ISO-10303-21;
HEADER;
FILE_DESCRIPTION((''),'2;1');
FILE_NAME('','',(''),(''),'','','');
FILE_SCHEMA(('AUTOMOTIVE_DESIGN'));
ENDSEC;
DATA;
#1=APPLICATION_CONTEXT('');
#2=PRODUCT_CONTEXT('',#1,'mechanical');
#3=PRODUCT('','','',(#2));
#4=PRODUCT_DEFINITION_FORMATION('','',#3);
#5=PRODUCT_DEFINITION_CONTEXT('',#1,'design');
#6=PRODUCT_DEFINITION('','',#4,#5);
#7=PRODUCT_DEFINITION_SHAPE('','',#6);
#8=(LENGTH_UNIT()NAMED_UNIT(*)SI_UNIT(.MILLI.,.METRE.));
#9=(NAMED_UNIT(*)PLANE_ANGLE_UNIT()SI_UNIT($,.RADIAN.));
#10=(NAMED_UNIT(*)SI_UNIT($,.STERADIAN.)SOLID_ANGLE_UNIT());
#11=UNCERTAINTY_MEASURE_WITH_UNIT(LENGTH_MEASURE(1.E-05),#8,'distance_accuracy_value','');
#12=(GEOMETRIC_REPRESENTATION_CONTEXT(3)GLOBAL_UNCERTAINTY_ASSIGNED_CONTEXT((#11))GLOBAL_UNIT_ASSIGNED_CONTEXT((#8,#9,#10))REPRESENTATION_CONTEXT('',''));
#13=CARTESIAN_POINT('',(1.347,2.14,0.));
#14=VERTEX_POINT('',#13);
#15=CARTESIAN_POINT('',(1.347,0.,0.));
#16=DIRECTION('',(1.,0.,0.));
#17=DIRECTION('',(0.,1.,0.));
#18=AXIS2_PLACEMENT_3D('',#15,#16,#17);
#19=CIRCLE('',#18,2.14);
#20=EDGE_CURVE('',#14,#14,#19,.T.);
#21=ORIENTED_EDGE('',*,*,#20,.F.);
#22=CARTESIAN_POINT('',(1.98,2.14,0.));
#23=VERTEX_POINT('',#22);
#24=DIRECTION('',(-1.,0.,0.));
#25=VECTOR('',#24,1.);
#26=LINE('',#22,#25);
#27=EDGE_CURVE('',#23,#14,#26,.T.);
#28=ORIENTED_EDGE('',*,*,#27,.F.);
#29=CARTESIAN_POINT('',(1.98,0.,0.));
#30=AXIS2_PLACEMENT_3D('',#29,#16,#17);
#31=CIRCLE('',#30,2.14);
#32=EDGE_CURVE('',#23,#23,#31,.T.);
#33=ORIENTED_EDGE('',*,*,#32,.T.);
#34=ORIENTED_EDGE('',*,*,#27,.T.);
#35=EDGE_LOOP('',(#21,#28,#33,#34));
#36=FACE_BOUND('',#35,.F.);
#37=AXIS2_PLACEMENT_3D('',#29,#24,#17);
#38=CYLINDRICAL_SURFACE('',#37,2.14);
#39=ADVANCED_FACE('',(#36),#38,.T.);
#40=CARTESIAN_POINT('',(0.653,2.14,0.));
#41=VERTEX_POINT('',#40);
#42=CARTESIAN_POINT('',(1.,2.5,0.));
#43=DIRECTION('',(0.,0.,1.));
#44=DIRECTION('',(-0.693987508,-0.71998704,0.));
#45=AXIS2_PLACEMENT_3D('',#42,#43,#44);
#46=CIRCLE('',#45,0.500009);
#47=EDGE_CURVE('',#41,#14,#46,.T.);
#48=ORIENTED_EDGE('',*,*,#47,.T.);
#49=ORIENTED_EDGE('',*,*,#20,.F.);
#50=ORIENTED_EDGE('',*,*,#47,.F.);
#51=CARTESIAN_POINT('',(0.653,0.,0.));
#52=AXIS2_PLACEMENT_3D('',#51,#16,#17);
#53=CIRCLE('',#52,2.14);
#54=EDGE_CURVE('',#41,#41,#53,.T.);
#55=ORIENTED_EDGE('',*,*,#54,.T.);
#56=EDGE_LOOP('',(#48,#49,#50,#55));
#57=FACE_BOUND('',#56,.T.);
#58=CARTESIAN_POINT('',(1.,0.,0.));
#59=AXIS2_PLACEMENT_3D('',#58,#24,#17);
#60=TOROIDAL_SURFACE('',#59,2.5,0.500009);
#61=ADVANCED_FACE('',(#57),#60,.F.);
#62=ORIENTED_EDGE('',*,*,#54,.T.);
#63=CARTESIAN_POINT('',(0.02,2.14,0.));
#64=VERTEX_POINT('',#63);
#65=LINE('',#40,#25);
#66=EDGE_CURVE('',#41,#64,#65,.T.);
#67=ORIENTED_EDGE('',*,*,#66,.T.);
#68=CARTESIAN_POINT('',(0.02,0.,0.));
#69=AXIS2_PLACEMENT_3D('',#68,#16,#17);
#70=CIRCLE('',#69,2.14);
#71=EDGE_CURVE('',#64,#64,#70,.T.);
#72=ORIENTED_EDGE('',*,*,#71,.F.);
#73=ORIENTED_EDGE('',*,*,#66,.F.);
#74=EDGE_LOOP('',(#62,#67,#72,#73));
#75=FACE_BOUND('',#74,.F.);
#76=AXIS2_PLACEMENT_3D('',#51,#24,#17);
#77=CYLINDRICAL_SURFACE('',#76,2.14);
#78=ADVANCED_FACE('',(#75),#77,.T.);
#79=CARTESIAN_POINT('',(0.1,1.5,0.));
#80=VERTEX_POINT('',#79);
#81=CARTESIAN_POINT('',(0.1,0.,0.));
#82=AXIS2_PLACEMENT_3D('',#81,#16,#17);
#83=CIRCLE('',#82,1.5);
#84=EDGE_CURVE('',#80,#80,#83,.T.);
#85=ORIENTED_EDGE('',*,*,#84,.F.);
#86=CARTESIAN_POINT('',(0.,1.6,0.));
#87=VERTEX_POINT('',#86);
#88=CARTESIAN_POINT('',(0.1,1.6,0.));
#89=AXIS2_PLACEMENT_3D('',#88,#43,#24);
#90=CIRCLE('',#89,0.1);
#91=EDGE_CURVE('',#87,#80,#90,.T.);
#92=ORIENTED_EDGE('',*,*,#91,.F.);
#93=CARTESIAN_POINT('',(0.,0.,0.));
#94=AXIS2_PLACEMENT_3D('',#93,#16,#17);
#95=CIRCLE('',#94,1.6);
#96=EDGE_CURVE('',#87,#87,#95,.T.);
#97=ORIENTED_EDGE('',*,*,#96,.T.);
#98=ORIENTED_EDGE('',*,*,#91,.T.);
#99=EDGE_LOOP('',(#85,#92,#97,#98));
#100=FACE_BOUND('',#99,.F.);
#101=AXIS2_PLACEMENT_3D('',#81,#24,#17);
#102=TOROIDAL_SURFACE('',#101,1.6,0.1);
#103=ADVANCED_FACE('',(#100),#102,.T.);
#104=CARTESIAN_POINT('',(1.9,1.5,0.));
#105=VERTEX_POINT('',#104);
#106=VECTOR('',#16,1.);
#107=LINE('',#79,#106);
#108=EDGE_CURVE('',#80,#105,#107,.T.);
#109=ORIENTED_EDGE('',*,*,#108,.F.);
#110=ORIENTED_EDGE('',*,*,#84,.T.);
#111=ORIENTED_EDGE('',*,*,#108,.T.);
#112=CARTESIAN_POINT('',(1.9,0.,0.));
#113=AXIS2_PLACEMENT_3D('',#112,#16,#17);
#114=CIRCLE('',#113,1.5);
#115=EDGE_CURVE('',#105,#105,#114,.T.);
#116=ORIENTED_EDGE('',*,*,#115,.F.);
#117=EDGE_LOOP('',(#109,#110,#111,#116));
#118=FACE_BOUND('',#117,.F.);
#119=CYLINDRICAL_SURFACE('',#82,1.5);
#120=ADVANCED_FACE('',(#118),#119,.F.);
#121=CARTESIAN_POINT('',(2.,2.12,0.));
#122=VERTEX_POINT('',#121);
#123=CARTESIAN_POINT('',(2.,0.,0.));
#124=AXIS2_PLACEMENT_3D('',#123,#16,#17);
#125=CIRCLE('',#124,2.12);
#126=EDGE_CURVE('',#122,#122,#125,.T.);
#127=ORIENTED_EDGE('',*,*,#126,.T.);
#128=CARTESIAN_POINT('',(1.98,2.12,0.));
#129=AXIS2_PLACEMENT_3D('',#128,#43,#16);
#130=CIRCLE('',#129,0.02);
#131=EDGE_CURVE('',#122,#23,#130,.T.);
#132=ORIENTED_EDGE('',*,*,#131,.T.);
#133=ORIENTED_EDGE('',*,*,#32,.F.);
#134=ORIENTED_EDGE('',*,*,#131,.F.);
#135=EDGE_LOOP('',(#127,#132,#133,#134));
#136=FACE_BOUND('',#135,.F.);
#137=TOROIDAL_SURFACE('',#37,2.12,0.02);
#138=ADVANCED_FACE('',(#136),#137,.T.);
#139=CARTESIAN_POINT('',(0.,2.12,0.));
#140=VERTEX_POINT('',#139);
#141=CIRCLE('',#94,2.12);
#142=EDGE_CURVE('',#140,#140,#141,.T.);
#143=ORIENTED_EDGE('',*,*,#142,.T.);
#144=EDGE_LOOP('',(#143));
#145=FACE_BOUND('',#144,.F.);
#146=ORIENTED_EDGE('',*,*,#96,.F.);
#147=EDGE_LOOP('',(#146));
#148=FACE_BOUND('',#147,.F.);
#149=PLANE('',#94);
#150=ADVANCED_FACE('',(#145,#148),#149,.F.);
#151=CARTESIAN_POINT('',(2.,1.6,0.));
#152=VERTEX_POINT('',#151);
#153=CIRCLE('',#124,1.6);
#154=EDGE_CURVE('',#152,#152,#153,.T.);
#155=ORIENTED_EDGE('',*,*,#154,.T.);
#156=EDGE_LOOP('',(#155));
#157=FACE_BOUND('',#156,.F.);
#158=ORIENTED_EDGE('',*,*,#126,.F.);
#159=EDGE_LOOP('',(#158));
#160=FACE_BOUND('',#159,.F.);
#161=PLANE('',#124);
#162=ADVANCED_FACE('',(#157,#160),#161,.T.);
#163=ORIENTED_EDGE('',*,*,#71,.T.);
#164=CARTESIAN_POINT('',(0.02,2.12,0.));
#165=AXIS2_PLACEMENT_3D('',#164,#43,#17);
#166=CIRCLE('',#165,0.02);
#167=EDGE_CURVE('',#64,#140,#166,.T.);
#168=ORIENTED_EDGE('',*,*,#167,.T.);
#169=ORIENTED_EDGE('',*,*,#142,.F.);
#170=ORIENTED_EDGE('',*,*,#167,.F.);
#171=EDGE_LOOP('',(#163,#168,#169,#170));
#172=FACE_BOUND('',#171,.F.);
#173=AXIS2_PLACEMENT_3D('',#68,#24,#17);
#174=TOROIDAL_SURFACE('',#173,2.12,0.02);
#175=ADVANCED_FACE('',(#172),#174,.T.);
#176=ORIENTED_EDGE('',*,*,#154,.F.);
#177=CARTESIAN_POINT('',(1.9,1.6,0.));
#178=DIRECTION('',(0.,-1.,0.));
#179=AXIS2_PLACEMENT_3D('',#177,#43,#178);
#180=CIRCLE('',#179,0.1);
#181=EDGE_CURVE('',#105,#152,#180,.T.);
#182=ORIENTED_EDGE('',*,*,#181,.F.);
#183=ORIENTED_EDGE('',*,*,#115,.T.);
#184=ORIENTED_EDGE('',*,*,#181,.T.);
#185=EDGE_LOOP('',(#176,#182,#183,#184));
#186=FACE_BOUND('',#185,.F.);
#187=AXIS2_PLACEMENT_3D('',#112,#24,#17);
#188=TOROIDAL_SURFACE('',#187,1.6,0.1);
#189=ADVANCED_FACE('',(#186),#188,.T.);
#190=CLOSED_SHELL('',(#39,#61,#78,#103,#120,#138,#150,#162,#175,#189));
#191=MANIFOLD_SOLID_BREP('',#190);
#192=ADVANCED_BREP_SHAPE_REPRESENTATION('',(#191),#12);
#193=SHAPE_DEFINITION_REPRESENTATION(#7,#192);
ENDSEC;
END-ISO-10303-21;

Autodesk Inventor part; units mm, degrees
ref_plane "YZ Plane" through (0, 0, 0) normal (1, 0, 0) x (0, 1, 0)
ref_plane "XZ Plane" through (0, 0, 0) normal (0, 1, 0) x (-1, 0, 0)
ref_plane "XY Plane" through (0, 0, 0) normal (0, 0, 1) x (1, 0, 0)
sketch "Sketch_10" plane through (0, 0, 0) normal (0, 0, 1) x (1, 0, 0)
  line L0 (50, 0) -> (-50, 0)
  line L1 (0, 2.12) -> (0, 1.6)
  arc A0 (0, 1.6) -> (0.1, 1.5) centre (0.1, 1.6) ccw
  line L2 (0.1, 1.5) -> (1.9, 1.5)
  arc A1 (1.9, 1.5) -> (2, 1.6) centre (1.9, 1.6) ccw
  line L3 (2, 1.6) -> (2, 2.12)
  arc A2 (2, 2.12) -> (1.98, 2.14) centre (1.98, 2.12) ccw
  line L4 (1.98, 2.14) -> (1.347, 2.14)
  arc A3 (0.653, 2.14) -> (1.347, 2.14) centre (1, 2.5) ccw
  line L5 (0.653, 2.14) -> (0.02, 2.14)
  arc A4 (0.02, 2.14) -> (0, 2.12) centre (0.02, 2.12) ccw
revolve "Revolution1" add sketch "Sketch_10" angle 360 about axis through (50, 0, 0) along (1, 0, 0)
properties part number "W 618/3_PART1"
